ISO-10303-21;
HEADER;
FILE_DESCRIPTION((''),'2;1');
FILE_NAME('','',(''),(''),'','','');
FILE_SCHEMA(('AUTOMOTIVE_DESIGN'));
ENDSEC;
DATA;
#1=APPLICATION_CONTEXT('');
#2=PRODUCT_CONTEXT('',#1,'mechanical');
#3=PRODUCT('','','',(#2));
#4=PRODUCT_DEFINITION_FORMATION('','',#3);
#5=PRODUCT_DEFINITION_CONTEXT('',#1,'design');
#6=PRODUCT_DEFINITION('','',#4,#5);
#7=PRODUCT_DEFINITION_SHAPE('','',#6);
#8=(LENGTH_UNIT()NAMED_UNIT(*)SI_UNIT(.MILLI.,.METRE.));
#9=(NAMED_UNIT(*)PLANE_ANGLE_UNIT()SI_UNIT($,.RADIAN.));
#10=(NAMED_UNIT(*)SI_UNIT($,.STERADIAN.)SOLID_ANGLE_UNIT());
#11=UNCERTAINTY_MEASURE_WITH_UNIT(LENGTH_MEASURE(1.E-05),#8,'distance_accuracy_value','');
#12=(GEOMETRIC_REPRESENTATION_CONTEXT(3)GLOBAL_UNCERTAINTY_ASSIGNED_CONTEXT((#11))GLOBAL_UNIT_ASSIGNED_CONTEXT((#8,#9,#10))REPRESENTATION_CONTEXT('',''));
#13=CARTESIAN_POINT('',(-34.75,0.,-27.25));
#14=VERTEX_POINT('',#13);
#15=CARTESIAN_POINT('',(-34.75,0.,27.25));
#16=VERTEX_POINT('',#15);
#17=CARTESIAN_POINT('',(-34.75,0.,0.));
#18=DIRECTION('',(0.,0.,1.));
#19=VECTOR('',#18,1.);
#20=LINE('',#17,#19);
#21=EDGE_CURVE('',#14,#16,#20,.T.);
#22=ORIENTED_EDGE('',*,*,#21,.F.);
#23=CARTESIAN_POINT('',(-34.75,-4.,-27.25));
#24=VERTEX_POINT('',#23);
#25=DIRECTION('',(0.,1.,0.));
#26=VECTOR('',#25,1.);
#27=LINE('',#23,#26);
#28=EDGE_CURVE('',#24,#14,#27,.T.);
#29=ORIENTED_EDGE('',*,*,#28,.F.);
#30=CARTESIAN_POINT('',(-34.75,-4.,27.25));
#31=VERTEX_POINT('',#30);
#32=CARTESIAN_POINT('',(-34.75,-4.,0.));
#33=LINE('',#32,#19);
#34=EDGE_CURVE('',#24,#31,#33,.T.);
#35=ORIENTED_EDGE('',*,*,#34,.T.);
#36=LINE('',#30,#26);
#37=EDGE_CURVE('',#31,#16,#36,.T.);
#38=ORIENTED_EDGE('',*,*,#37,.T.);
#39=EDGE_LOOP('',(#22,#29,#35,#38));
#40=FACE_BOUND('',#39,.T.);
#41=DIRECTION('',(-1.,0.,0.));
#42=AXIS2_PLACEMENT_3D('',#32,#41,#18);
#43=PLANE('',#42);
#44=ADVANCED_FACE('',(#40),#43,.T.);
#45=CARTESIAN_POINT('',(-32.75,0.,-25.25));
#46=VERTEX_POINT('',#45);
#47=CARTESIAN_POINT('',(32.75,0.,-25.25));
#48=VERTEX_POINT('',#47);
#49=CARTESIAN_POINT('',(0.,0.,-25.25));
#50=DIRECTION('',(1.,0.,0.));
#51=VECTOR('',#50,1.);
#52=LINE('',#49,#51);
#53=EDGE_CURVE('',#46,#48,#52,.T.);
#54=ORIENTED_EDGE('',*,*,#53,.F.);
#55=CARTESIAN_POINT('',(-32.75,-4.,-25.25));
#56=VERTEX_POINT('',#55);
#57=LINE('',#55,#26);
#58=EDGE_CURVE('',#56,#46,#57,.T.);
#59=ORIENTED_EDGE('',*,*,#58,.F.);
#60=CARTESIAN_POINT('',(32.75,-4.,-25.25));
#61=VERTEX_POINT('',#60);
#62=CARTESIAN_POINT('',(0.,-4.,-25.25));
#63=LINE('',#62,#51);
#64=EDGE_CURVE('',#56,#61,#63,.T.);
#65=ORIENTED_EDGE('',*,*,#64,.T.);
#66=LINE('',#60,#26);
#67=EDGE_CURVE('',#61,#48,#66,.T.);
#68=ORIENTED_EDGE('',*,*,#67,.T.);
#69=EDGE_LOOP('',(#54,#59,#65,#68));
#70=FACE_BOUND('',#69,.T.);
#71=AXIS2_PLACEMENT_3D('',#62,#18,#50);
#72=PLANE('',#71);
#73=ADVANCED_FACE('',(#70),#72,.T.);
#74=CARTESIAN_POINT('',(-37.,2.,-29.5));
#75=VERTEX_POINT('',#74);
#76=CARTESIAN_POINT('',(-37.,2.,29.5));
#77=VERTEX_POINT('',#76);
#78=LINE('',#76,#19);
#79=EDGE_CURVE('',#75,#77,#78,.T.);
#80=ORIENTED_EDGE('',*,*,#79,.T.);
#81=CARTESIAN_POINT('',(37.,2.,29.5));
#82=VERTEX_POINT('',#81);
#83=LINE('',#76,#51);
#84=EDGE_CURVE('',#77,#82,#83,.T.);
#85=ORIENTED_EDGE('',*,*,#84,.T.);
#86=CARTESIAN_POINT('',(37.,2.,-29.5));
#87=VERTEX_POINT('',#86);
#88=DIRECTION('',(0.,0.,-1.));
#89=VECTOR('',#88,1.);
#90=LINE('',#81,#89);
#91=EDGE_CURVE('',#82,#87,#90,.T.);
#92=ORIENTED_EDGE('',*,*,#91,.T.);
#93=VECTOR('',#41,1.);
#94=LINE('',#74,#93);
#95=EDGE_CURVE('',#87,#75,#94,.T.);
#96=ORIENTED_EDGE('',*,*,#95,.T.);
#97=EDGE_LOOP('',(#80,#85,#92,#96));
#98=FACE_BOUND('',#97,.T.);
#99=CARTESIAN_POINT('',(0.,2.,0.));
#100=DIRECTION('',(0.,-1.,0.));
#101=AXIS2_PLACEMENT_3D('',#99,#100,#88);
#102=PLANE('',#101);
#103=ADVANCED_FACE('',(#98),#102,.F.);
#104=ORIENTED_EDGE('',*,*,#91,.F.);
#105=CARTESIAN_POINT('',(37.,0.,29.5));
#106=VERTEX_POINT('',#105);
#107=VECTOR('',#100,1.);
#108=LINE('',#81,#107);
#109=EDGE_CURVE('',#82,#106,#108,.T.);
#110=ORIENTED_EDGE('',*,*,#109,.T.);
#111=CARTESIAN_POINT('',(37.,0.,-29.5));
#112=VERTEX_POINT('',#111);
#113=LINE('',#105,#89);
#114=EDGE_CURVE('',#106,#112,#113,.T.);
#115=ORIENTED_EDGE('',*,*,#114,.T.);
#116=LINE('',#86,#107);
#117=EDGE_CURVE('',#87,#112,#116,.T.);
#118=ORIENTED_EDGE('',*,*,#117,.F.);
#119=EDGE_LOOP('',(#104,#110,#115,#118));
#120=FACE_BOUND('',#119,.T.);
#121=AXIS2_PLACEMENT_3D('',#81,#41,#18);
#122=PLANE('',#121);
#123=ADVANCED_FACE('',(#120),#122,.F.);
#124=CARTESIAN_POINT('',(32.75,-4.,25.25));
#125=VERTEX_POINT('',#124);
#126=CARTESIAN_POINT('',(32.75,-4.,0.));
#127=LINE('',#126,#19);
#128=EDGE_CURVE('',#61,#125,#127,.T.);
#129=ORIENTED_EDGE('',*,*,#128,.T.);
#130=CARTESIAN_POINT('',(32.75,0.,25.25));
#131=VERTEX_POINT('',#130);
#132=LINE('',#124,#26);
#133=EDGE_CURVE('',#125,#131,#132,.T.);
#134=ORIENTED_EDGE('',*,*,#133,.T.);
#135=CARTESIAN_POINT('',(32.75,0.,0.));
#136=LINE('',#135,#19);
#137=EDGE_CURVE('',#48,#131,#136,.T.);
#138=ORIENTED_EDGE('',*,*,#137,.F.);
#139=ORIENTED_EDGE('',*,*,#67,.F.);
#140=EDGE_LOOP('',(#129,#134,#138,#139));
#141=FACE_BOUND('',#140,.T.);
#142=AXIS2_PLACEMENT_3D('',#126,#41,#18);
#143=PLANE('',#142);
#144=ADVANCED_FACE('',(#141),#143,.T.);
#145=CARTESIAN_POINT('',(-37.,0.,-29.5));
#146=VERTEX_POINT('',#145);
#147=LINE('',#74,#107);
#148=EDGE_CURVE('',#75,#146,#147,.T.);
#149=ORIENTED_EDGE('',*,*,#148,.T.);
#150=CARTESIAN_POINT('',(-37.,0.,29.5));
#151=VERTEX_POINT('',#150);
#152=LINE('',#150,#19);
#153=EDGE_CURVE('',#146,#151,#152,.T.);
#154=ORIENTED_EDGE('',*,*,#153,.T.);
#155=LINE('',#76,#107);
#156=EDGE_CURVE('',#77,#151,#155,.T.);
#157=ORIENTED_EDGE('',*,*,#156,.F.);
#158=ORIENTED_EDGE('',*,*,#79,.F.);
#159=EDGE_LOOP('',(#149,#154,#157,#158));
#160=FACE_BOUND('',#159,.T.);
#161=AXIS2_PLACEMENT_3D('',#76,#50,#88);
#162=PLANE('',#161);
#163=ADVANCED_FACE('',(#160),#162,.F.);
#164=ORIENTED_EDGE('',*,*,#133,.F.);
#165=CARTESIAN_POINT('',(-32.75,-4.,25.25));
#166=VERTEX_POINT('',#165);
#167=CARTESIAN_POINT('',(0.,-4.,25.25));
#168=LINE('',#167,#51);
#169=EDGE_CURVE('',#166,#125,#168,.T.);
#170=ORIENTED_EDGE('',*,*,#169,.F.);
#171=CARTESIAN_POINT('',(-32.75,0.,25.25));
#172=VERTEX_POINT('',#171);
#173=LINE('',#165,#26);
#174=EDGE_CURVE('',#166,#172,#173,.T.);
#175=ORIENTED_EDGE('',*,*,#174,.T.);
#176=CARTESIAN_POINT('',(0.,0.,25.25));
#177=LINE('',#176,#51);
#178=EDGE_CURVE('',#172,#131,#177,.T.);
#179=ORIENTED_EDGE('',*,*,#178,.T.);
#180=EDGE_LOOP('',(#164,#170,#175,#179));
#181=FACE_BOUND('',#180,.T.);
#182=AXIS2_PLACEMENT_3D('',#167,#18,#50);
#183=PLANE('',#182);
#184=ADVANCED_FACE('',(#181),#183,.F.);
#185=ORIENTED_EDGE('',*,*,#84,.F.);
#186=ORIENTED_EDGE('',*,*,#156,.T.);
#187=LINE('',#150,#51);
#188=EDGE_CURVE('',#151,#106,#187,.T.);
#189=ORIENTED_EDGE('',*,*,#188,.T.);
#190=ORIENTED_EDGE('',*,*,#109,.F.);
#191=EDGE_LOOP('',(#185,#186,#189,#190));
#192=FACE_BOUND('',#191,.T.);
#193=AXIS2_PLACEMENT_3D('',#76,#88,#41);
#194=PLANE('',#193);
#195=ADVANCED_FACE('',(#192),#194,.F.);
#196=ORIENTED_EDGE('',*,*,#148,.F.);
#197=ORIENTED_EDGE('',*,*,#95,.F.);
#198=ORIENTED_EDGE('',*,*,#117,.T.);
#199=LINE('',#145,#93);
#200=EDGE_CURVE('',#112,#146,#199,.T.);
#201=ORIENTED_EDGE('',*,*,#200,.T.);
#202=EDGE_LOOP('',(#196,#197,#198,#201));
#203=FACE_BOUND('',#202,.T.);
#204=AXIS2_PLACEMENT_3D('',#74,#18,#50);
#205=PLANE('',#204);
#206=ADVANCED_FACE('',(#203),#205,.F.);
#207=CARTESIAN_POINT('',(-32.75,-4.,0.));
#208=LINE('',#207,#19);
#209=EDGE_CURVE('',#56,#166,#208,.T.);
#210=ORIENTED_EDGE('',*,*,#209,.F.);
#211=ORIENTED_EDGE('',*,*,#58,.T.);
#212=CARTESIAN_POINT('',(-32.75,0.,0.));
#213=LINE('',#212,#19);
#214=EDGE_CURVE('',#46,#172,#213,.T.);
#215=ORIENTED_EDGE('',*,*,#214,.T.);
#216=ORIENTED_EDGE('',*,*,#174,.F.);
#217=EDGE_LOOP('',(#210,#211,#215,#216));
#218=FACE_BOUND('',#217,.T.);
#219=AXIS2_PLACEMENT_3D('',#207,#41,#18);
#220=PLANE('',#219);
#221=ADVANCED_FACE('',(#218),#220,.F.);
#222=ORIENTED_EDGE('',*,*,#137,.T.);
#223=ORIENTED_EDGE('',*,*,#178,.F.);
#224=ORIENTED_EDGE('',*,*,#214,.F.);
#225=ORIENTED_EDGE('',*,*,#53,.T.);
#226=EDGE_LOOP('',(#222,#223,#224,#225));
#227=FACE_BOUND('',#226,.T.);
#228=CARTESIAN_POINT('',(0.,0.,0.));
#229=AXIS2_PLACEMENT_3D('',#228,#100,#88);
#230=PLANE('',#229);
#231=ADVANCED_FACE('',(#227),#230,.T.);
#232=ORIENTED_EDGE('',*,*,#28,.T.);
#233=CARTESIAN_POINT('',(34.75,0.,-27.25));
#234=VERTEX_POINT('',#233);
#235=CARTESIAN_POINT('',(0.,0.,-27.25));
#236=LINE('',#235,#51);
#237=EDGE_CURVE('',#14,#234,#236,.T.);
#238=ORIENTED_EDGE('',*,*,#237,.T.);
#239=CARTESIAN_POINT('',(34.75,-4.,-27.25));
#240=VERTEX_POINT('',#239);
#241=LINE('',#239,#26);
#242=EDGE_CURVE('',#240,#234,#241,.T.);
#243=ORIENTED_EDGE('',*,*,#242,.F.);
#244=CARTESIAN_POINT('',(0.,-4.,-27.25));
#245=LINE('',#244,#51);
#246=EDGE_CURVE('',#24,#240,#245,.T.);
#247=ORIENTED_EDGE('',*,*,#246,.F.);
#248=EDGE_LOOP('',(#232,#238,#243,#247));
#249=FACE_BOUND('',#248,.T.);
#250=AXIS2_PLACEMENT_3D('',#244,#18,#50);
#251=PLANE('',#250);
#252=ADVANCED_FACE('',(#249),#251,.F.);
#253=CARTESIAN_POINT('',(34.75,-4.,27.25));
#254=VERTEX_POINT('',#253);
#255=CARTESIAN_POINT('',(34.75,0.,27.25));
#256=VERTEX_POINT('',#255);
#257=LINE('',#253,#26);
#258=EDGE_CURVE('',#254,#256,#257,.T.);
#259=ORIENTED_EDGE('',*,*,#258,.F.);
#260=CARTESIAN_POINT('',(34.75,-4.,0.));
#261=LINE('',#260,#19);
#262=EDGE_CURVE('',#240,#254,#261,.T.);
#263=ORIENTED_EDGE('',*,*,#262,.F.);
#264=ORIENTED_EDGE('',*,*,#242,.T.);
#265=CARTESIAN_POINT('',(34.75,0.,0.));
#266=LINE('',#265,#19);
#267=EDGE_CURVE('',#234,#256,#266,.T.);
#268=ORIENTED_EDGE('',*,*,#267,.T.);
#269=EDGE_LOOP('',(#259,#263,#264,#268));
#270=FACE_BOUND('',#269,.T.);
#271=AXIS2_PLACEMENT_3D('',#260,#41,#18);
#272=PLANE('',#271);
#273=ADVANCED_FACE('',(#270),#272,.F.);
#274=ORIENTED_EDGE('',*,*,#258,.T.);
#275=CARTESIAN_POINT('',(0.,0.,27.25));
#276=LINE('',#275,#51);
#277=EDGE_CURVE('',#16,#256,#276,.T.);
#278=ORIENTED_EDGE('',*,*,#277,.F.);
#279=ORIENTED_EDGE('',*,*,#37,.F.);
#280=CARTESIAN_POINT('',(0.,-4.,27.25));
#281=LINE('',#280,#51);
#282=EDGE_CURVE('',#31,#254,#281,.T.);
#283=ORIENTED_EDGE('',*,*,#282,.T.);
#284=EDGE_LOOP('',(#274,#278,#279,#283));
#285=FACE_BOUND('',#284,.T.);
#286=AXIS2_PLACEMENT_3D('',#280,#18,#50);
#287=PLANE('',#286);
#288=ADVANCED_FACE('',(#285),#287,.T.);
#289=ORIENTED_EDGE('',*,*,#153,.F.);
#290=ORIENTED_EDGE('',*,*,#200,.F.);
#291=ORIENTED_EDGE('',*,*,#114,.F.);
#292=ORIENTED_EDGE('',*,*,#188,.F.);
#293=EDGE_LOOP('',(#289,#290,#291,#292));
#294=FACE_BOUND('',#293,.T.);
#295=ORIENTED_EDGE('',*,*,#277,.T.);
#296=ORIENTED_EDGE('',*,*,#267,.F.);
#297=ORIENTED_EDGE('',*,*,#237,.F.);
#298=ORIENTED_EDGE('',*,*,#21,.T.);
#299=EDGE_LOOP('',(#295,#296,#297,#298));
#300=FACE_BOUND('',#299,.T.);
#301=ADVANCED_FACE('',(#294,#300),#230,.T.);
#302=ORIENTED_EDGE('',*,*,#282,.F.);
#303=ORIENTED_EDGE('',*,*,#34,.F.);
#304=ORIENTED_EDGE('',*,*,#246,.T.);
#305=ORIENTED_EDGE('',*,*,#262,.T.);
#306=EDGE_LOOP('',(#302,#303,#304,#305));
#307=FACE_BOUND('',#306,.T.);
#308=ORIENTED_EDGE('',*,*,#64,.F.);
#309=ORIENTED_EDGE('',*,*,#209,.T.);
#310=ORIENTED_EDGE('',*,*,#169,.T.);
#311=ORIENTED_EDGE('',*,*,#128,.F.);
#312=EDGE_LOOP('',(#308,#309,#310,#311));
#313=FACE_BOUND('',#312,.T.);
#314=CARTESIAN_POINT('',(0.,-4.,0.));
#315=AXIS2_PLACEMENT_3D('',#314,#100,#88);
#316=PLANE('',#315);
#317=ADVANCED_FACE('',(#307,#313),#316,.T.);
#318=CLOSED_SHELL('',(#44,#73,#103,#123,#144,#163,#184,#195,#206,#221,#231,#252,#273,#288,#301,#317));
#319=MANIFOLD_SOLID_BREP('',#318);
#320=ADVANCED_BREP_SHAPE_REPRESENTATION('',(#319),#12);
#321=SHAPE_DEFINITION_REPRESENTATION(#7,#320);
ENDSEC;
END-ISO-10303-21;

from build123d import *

# Parameters (mm, degrees)
SKETCH1_W           = 74
SKETCH1_H           = 59
BOSS_EXTRUDE1_DEPTH = 2
SKETCH2_W           = 69.5
SKETCH2_H           = 54.5
SKETCH2_W_2         = 65.5
SKETCH2_H_2         = 50.5
BOSS_EXTRUDE2_DEPTH = 4


with BuildPart() as part:
    # Sketch1 → Boss-Extrude1 (new body)
    with BuildSketch(Plane(origin=(0, 0, 0), x_dir=(1, 0, 0), z_dir=(0, 1, 0))):
        Rectangle(SKETCH1_W, SKETCH1_H)
    extrude(amount=BOSS_EXTRUDE1_DEPTH)

    # Sketch2 → Boss-Extrude2 (add)
    with BuildSketch(Plane.XZ):
        Rectangle(SKETCH2_W, SKETCH2_H)
        Rectangle(SKETCH2_W_2, SKETCH2_H_2, mode=Mode.SUBTRACT)
    extrude(amount=BOSS_EXTRUDE2_DEPTH)


solid = part.part
